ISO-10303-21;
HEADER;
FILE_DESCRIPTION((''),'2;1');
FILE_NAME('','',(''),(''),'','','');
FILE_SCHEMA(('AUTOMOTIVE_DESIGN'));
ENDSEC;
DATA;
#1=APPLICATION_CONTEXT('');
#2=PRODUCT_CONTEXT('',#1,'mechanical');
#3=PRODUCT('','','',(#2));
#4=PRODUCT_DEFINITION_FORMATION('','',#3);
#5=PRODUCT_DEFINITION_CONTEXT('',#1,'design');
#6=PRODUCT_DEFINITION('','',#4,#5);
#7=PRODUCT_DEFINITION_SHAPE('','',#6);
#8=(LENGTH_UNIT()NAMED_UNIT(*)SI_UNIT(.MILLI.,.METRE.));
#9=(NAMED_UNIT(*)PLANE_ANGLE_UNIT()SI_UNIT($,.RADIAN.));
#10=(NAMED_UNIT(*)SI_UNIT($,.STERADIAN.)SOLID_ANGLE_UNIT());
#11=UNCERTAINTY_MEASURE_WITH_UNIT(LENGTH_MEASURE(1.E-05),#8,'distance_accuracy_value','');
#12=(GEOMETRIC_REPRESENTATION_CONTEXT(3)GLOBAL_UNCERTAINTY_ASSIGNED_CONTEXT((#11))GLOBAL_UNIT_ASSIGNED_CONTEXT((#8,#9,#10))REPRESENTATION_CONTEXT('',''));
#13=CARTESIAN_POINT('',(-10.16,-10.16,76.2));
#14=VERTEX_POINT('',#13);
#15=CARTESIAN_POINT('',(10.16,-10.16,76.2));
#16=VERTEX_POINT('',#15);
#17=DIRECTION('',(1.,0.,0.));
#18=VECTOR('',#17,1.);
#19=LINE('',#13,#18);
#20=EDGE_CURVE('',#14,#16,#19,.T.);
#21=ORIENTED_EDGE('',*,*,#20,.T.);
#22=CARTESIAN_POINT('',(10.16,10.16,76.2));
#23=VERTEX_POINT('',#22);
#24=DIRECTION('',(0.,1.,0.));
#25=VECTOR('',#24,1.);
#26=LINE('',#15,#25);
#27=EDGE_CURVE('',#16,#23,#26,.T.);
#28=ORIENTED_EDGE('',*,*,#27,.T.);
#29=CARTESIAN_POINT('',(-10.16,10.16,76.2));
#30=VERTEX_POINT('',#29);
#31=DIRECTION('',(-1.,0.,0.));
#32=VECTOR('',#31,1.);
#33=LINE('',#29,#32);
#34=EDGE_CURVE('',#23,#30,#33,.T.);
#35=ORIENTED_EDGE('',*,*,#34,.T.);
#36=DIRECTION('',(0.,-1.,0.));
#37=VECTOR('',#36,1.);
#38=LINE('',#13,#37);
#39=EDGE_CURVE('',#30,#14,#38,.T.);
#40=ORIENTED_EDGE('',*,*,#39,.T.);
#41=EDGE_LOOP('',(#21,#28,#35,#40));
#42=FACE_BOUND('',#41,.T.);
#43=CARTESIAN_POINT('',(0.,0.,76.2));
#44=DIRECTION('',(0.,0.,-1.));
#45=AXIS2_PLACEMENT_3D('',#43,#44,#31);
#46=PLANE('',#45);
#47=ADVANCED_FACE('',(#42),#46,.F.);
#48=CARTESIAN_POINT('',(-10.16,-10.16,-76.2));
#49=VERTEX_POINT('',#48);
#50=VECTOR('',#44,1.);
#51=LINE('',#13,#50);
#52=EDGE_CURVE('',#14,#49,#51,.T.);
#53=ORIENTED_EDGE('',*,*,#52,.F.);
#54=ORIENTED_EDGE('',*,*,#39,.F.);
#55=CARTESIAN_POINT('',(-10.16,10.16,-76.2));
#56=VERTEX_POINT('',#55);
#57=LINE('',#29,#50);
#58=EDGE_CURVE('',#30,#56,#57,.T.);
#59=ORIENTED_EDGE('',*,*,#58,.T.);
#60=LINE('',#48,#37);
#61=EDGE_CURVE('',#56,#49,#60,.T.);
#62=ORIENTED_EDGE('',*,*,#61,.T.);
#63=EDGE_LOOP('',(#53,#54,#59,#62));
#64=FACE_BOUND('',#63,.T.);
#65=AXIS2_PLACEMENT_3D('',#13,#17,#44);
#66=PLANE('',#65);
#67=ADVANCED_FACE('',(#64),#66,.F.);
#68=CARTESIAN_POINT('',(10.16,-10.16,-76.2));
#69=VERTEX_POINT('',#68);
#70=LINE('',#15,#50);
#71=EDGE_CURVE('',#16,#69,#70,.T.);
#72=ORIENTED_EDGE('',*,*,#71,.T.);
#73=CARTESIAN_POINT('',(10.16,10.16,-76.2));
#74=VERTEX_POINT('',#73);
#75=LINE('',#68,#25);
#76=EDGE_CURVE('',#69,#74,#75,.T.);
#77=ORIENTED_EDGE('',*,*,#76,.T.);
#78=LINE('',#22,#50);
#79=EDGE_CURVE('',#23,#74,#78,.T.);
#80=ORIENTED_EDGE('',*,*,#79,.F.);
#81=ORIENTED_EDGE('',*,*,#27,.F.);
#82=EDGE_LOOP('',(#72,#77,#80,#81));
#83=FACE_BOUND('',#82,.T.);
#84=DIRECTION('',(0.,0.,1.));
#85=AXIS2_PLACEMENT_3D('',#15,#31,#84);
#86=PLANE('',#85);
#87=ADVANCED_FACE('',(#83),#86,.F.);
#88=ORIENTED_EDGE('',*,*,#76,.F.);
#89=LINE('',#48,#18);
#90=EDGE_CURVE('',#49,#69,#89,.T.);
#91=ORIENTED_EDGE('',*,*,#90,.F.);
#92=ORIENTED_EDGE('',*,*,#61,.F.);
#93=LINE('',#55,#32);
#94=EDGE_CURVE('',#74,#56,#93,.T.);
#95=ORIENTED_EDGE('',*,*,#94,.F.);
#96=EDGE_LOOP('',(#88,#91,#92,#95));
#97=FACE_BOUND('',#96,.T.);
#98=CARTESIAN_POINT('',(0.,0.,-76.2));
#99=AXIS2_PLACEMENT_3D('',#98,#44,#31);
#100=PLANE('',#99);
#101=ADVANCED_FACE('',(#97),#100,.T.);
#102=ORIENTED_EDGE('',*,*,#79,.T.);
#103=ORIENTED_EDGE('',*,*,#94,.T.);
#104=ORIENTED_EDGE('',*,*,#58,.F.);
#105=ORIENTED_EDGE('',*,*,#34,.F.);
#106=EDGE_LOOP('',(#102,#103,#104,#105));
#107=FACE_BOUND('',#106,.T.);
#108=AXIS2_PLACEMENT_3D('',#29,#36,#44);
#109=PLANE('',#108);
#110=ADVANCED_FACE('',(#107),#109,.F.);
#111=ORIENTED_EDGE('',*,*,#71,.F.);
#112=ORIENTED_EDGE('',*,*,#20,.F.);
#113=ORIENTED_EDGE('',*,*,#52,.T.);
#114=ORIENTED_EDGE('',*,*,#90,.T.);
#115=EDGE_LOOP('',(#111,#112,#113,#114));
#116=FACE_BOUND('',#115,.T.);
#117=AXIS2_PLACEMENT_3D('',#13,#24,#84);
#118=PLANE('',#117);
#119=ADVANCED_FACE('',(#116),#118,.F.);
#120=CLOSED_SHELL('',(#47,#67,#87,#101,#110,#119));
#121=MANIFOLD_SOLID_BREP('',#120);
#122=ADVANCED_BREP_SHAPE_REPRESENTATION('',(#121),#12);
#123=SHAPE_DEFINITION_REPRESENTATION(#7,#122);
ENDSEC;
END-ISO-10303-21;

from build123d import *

# Parameters (mm, degrees)
SKETCH7_W           = 20.32
SKETCH7_H           = 20.32
BOSS_EXTRUDE3_DEPTH = 76.2


with BuildPart() as part:
    # Sketch7 → Boss-Extrude3 (new body, symmetric)
    with BuildSketch(Plane.XY):
        Rectangle(SKETCH7_W, SKETCH7_H)
    extrude(amount=BOSS_EXTRUDE3_DEPTH, both=True)


solid = part.part
